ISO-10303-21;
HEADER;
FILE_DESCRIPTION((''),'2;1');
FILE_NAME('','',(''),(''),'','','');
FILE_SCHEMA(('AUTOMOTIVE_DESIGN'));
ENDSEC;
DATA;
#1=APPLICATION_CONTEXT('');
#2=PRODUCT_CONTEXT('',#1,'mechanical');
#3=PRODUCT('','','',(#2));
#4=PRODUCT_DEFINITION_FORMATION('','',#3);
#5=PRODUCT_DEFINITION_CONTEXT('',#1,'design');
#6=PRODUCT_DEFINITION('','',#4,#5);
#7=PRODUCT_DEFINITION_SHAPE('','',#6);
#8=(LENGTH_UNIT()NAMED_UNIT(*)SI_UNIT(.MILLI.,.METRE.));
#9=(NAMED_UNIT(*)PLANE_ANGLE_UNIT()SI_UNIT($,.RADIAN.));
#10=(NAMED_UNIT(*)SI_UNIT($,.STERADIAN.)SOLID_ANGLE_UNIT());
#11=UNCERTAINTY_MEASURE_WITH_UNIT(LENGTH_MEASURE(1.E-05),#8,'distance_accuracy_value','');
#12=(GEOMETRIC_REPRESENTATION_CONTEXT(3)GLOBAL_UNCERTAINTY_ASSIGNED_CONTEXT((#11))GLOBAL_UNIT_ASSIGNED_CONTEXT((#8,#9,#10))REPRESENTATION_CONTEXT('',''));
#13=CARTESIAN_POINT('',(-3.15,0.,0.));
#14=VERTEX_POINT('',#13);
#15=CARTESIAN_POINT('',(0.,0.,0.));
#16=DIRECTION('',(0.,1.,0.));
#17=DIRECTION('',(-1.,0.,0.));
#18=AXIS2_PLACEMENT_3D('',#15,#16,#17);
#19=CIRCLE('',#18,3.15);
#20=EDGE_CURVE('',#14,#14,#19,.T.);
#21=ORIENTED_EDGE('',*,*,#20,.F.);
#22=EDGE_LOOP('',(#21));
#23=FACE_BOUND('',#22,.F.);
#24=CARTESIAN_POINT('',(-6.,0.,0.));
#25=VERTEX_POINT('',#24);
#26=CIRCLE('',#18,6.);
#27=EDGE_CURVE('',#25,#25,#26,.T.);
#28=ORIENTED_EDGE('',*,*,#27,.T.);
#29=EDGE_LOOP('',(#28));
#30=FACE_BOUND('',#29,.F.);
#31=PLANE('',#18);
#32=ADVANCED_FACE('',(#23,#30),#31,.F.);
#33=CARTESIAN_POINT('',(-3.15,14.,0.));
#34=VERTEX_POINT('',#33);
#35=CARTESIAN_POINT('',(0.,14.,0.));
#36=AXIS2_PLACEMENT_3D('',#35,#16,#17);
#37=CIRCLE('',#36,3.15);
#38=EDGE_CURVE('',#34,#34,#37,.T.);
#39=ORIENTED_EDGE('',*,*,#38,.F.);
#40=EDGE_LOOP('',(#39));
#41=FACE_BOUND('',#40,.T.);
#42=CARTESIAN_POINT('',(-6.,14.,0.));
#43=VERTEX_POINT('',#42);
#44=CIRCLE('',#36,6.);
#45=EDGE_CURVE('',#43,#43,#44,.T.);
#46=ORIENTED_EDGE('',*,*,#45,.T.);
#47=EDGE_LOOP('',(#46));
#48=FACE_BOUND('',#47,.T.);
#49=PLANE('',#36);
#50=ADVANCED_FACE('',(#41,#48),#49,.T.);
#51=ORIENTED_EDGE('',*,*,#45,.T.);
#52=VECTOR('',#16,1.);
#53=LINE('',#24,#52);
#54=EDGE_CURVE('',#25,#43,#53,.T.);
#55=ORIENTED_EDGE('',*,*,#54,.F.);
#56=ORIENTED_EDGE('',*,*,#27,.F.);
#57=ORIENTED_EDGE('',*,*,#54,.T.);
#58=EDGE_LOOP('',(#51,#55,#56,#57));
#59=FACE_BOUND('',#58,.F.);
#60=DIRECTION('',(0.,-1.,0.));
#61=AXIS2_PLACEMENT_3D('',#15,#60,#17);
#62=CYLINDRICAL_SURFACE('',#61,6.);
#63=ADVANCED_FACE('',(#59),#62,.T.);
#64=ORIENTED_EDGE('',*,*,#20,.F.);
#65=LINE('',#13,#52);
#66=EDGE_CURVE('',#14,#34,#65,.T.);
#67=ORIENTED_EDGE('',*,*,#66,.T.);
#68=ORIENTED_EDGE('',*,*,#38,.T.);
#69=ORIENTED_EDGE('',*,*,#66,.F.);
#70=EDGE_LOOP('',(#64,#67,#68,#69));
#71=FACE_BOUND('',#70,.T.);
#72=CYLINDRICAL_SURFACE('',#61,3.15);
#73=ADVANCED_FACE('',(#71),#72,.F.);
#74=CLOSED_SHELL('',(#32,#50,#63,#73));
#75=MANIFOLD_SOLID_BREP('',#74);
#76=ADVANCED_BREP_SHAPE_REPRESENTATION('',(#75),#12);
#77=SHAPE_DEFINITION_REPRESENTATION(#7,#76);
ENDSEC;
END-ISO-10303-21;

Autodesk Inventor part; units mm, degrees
ref_plane "YZ Plane" through (0, 0, 0) normal (1, 0, 0) x (0, 1, 0)
ref_plane "XZ Plane" through (0, 0, 0) normal (0, 1, 0) x (-1, 0, 0)
ref_plane "XY Plane" through (0, 0, 0) normal (0, 0, 1) x (1, 0, 0)
sketch "Sketch1" plane through (0, 0, 0) normal (0, 1, 0) x (-1, 0, 0)
  circle A0 centre (0, 0) radius 3.15
  circle A1 centre (0, 0) radius 6
  dimension "d0" = 6.3
  dimension "d2" = 12
extrude "Extrusion1" add sketch "Sketch1" along normal blind 14
properties part number "Belt tensor2"
